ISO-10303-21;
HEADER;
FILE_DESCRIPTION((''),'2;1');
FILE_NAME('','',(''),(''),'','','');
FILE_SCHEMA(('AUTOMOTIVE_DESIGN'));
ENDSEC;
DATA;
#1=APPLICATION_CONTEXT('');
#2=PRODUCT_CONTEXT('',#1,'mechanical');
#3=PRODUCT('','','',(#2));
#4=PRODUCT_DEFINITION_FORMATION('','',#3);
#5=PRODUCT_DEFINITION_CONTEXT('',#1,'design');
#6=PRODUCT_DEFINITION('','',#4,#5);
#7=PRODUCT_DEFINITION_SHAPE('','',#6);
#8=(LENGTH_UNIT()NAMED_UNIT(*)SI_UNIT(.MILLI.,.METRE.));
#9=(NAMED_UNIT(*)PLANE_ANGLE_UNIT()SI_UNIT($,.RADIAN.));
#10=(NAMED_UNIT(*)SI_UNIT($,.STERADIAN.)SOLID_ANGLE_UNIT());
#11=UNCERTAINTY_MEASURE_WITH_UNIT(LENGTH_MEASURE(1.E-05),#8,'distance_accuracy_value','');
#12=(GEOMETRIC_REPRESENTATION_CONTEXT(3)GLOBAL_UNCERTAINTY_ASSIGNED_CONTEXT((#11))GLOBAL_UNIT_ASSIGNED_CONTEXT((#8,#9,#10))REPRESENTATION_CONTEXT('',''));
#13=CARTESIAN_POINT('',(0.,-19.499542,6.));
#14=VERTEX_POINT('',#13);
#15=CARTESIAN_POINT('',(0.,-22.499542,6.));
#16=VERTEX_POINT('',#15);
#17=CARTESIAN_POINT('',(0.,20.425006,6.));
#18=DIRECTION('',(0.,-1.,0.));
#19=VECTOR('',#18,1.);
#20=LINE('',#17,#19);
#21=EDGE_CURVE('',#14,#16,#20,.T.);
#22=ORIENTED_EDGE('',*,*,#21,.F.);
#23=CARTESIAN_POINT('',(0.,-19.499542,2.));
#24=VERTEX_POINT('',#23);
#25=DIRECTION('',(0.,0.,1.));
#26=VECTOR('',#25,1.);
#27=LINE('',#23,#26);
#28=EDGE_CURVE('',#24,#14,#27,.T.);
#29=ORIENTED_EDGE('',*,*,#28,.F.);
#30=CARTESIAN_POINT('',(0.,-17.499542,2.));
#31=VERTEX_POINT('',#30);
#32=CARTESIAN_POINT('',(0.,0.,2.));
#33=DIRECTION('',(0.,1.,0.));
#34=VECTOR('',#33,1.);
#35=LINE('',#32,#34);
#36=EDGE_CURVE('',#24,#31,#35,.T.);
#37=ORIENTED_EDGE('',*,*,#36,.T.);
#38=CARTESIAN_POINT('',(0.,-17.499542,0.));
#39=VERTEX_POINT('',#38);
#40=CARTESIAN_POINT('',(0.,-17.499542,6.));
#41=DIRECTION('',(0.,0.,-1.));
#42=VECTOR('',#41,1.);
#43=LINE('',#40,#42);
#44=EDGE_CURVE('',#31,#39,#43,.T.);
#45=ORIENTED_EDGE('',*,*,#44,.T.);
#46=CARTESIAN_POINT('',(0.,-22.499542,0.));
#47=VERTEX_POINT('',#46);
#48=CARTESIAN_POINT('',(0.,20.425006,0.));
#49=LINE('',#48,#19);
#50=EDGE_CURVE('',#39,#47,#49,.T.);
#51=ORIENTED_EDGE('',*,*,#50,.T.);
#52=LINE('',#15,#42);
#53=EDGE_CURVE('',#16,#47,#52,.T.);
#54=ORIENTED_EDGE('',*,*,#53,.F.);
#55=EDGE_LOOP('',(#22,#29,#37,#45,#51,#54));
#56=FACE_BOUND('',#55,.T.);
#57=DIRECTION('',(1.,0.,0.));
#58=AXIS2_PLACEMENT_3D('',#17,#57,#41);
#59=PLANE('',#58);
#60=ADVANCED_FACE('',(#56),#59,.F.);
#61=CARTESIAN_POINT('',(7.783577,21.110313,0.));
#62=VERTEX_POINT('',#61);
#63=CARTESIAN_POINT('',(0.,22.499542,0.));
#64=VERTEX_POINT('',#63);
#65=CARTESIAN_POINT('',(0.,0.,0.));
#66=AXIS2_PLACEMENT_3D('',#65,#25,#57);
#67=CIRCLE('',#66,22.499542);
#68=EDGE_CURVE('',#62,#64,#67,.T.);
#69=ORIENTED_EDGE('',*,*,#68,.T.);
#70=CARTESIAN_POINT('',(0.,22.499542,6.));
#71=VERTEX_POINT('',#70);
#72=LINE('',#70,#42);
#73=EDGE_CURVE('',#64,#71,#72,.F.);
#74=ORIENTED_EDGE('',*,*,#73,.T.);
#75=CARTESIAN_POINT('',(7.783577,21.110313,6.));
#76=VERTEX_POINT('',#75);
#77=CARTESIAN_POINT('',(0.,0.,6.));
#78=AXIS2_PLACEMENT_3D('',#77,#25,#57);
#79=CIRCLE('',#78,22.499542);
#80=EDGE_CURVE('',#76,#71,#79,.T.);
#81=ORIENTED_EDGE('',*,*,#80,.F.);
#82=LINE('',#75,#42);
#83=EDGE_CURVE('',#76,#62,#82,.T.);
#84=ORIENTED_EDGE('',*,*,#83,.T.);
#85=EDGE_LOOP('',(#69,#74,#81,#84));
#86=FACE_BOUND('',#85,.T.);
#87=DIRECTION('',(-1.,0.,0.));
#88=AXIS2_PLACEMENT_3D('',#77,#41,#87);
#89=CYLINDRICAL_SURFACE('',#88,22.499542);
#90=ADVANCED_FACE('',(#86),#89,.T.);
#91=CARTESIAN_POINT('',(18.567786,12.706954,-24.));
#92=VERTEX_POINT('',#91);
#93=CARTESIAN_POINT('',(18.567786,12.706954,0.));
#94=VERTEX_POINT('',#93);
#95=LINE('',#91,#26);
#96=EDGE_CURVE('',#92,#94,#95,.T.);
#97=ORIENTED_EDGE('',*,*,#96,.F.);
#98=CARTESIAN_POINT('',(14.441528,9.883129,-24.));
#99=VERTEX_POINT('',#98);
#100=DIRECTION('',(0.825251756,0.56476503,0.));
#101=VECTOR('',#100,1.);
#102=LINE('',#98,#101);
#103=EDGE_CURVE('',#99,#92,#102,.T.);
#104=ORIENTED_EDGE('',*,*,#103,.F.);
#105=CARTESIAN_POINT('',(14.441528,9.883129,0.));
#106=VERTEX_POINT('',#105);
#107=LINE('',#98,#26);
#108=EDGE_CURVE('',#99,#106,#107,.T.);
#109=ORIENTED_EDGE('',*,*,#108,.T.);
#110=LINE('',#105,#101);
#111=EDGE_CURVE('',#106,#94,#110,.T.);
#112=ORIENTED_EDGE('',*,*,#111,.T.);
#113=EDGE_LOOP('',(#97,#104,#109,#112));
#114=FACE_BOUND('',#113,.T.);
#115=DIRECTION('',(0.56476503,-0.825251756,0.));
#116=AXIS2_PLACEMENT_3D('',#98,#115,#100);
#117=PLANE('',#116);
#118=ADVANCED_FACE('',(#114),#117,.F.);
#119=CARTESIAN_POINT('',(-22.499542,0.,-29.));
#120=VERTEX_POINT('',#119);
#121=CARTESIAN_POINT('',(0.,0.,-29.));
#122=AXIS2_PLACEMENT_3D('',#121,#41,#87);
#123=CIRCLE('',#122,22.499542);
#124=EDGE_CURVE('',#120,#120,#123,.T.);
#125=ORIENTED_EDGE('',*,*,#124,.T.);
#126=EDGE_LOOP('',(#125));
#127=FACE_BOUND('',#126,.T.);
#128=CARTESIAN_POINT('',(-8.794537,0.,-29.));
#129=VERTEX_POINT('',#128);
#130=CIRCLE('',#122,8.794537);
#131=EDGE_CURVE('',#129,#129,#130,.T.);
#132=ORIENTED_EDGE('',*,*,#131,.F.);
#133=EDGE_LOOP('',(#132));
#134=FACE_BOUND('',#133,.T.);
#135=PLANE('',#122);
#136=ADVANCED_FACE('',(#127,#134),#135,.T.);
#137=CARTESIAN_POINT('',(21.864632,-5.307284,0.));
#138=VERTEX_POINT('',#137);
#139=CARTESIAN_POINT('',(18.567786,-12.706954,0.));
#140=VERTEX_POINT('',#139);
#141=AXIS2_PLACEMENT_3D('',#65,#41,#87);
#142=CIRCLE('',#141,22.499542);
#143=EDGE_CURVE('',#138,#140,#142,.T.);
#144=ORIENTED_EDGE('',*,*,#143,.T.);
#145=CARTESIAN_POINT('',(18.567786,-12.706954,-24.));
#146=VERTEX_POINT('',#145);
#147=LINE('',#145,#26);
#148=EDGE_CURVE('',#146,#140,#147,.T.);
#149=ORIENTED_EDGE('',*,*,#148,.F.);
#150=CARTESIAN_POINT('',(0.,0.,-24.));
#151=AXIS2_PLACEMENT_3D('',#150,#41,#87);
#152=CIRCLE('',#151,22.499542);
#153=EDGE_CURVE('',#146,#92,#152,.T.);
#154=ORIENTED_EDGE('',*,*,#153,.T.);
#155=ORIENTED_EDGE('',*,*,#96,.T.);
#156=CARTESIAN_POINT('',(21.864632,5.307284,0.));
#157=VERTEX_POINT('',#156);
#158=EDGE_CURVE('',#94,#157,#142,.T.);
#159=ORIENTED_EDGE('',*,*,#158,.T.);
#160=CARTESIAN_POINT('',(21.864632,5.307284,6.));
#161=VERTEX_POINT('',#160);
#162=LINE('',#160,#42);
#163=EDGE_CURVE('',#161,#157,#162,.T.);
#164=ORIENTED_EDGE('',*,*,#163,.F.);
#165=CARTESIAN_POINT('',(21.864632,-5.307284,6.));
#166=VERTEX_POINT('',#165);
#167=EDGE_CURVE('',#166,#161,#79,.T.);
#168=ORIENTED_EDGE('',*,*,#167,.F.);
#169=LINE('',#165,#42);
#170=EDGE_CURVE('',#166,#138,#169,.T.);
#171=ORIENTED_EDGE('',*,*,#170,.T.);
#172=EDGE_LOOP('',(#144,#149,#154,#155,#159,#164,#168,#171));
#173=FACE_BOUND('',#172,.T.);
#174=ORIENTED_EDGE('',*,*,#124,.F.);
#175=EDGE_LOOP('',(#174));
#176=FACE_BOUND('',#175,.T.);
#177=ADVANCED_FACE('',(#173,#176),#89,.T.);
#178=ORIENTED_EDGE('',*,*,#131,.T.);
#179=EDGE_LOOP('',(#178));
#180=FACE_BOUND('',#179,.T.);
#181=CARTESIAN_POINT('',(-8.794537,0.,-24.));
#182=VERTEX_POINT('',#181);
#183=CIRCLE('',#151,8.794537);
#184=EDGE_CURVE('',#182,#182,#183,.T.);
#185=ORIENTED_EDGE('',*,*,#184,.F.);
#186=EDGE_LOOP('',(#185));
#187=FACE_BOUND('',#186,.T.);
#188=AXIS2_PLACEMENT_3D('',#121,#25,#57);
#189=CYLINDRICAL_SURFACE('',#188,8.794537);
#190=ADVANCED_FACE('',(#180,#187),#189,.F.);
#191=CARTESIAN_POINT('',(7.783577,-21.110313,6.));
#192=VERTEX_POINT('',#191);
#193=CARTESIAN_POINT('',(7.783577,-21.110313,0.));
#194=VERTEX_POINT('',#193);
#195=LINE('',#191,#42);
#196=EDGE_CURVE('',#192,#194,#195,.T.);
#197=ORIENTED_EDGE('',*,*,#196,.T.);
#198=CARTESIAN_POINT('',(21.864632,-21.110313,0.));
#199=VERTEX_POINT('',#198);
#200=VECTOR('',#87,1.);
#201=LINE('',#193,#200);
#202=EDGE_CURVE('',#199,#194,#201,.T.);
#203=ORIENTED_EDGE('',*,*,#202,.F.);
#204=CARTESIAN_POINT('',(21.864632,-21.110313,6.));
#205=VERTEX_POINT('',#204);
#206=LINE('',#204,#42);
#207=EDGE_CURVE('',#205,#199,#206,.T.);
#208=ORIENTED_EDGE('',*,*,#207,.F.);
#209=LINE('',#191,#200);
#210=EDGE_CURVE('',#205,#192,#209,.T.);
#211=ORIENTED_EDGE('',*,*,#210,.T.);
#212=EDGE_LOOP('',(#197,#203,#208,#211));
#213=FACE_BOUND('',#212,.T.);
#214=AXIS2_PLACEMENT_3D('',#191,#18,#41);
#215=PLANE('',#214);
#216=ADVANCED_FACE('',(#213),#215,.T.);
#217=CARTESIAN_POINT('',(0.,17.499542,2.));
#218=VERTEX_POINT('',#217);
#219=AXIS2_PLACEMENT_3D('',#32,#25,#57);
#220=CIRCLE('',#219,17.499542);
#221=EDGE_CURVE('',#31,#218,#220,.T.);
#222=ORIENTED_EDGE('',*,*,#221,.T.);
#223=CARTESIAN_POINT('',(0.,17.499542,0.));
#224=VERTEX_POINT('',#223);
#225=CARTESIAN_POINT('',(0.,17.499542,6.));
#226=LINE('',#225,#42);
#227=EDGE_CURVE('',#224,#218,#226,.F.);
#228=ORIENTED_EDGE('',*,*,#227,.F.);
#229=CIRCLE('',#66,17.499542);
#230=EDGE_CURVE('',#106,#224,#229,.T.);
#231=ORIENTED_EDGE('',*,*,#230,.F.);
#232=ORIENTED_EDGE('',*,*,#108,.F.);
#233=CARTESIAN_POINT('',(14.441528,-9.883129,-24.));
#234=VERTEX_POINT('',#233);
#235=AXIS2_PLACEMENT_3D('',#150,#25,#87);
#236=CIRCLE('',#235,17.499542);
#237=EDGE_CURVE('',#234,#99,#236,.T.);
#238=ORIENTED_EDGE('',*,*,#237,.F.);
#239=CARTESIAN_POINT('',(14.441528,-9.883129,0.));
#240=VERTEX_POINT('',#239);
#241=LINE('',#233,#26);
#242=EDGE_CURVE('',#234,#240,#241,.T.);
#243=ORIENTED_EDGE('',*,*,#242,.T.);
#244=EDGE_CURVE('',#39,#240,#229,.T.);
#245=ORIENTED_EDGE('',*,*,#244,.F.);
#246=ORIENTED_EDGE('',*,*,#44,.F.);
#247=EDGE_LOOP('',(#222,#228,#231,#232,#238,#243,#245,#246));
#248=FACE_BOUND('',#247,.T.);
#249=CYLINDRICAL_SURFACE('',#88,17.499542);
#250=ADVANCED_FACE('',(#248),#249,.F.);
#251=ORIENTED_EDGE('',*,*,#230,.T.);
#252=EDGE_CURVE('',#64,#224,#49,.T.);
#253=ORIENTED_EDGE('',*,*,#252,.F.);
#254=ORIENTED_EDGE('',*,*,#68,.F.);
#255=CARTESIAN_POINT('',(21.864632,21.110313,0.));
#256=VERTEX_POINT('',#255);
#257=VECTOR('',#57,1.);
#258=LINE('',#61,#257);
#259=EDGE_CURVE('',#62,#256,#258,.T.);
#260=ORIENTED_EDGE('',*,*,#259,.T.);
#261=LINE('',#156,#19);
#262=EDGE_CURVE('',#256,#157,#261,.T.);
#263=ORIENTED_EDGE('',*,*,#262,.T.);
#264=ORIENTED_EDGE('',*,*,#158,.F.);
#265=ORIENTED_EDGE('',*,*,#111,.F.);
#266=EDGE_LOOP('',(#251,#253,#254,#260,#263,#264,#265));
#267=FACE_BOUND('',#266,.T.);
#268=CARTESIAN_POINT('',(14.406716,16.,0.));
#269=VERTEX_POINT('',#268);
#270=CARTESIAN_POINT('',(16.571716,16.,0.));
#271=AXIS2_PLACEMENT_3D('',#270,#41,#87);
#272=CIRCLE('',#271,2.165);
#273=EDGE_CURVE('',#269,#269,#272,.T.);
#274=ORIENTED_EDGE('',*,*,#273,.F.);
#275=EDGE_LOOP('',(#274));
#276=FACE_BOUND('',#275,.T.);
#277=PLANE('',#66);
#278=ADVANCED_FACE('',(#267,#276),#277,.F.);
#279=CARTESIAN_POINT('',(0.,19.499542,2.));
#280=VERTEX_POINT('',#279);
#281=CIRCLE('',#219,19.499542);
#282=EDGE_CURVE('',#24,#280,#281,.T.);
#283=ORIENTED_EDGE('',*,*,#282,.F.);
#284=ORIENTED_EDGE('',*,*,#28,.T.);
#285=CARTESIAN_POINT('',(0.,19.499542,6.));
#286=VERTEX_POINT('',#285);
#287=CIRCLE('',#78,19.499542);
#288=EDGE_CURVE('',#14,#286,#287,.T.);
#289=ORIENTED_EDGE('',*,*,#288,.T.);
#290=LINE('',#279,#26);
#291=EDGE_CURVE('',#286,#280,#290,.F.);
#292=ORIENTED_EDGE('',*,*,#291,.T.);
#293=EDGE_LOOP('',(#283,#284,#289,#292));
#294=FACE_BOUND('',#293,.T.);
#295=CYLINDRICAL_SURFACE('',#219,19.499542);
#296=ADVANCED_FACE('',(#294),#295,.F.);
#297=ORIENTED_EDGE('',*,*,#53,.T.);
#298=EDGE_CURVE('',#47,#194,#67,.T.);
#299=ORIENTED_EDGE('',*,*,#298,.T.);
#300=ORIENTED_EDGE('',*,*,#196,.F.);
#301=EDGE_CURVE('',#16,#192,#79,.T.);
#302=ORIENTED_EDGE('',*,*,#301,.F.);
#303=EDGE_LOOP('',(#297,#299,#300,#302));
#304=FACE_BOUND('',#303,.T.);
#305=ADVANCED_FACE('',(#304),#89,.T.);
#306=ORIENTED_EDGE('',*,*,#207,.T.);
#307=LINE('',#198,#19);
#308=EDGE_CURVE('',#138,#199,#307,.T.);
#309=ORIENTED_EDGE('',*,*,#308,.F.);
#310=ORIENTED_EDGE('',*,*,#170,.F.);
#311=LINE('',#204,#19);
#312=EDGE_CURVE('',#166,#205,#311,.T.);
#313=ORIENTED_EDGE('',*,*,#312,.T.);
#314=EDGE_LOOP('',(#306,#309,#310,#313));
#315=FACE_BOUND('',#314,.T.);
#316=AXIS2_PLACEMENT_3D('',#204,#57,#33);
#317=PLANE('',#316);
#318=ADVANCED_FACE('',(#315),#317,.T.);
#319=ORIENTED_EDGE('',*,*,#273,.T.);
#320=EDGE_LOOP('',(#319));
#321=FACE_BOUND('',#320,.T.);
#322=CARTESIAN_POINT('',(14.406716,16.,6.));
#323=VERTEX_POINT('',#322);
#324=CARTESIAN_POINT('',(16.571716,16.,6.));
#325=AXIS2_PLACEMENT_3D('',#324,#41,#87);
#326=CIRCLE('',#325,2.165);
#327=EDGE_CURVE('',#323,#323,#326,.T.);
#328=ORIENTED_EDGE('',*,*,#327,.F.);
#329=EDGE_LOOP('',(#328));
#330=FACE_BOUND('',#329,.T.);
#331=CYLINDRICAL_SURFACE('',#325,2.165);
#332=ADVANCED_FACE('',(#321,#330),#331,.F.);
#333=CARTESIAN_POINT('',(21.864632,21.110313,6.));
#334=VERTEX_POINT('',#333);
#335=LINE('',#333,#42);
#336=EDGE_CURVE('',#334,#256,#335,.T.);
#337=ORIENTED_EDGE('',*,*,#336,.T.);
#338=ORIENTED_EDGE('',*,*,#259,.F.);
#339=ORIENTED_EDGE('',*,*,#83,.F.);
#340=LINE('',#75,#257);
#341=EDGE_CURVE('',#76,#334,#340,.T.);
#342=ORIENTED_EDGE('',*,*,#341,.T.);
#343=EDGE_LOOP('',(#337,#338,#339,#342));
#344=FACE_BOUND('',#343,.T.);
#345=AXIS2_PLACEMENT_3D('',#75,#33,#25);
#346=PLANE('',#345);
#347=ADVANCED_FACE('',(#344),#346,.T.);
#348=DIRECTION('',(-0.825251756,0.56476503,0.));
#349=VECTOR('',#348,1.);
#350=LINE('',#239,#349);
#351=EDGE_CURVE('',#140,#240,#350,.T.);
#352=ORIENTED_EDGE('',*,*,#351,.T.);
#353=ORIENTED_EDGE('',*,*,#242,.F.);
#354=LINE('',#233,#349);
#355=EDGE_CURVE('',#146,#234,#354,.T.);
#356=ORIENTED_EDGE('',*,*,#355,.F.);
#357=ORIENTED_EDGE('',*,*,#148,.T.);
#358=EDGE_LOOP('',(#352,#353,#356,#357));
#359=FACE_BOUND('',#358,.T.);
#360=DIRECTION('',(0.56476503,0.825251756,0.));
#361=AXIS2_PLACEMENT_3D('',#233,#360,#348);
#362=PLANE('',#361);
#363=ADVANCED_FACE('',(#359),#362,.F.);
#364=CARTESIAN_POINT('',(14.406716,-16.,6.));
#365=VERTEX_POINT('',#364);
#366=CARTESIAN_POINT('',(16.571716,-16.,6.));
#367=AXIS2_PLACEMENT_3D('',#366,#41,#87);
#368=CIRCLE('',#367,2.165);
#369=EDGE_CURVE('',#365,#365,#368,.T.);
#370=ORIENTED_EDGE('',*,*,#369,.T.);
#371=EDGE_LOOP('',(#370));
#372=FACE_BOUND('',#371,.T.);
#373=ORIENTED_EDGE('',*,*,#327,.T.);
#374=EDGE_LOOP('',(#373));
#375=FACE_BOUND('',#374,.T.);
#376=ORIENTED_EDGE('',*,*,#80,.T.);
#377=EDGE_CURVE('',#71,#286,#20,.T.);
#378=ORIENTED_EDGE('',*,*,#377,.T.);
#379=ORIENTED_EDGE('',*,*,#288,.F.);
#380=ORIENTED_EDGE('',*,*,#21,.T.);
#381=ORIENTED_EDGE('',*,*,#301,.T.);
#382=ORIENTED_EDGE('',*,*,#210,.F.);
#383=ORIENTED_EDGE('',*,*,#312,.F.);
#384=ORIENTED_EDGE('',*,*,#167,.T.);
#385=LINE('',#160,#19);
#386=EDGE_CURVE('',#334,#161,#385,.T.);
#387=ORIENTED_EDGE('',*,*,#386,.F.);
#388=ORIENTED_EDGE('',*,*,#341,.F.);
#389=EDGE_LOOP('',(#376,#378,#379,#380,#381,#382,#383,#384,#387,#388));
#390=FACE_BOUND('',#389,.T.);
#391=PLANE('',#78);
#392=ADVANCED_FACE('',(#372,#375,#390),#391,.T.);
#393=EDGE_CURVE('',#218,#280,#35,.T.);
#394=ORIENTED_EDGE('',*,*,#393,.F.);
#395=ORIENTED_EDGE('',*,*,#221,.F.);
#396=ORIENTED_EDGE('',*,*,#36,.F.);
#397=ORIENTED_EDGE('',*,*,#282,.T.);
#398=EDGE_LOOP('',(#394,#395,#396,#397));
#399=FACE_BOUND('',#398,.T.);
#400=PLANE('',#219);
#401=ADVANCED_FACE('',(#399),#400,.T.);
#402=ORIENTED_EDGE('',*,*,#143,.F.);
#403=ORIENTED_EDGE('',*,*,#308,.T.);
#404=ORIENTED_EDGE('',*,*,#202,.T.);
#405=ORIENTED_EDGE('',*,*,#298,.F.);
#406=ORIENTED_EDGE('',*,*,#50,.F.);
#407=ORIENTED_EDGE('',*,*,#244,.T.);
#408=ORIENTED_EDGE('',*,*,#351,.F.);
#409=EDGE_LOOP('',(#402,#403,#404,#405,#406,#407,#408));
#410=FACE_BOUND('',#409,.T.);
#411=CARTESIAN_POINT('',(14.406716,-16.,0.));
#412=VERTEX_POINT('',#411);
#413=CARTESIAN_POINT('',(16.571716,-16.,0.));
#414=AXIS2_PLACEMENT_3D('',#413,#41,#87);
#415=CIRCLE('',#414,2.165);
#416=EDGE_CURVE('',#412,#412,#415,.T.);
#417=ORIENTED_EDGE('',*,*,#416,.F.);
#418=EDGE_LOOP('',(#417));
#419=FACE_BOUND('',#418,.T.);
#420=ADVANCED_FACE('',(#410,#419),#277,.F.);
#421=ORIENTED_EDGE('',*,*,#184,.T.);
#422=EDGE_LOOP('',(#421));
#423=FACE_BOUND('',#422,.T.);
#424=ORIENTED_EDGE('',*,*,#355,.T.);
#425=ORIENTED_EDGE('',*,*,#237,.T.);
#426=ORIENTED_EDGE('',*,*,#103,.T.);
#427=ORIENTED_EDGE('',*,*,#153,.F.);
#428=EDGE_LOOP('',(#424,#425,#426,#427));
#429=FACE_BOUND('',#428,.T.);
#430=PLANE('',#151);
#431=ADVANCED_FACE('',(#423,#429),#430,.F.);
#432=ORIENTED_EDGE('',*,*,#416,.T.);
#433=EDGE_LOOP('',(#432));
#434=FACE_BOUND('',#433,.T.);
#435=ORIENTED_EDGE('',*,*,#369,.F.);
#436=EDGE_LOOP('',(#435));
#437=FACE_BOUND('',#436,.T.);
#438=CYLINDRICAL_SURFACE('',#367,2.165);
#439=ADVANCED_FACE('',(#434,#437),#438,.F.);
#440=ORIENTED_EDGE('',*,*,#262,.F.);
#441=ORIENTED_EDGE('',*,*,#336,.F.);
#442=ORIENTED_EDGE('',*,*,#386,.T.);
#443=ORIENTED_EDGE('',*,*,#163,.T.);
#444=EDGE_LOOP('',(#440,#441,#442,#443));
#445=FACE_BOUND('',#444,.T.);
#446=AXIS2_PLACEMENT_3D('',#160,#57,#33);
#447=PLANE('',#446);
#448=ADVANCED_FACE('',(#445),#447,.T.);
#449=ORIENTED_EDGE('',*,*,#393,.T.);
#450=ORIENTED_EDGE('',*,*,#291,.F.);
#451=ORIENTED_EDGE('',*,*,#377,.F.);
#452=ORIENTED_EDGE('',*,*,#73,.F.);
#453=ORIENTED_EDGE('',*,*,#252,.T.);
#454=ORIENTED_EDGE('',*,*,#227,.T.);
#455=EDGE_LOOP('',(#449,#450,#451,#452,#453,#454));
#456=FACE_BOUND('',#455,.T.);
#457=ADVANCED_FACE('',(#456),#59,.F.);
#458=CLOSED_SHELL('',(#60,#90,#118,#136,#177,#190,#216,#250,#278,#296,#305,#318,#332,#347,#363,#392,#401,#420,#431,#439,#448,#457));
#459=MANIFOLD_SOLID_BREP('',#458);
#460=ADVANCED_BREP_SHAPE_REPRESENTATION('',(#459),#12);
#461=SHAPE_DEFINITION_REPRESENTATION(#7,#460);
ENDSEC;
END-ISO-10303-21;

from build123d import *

# Parameters (mm, degrees)
SKETCH1_R           = 22.4995417
SKETCH1_R_2         = 17.4995417
BOSS_EXTRUDE1_DEPTH = 6
CUT_EXTRUDE1_START  = -4
SKETCH2_R           = 19.4995417
SKETCH2_R_2         = 17.4995417
CUT_EXTRUDE1_DEPTH  = 4
BOSS_EXTRUDE2_DEPTH = 6
BOSS_EXTRUDE3_START = 24
BOSS_EXTRUDE3_DEPTH = 24
BOSS_EXTRUDE4_START = 5
SKETCH6_R           = 22.4995417
SKETCH6_R_2         = 8.79453705
BOSS_EXTRUDE4_DEPTH = 5
CUT_EXTRUDE2_DEPTH  = 44.051814752
SKETCH9_R           = 2.165
CUT_EXTRUDE4_DEPTH  = 44.051814752


with BuildPart() as part:
    # Sketch1 → Boss-Extrude1 (new body)
    with BuildSketch(Plane.XY):
        Circle(SKETCH1_R)
        Circle(SKETCH1_R_2, mode=Mode.SUBTRACT)
    extrude(amount=BOSS_EXTRUDE1_DEPTH)

    # Sketch2 → Cut-Extrude1 (cut)
    with BuildSketch(Plane.XY.offset(6).offset(CUT_EXTRUDE1_START)):
        Circle(SKETCH2_R)
        Circle(SKETCH2_R_2, mode=Mode.SUBTRACT)
    extrude(amount=CUT_EXTRUDE1_DEPTH, mode=Mode.SUBTRACT)

    # Sketch3 → Boss-Extrude2 (add, through all)
    with BuildSketch(Plane(origin=(0, 0, 0), x_dir=(-1, 0, 0), z_dir=(0, 0, -1))):
        with BuildLine():
            Line((-7.783576547, 21.11031295), (-21.864631522, 21.11031295))
            Line((-21.864631522, 21.11031295), (-21.864631522, 5.307284156))
            ThreePointArc((-21.864631522, 5.307284156), (-16.798452018, 14.96801211), (-7.783576547, 21.11031295))
        make_face()
        with BuildLine():
            Line((21.864631522, -21.11031295), (7.783576547, -21.11031295))
            ThreePointArc((7.783576547, -21.11031295), (16.798452018, -14.96801211), (21.864631522, -5.307284156))
            Line((21.864631522, -5.307284156), (21.864631522, -21.11031295))
        make_face()
        with BuildLine():
            Line((21.864631522, 21.11031295), (7.783576547, 21.11031295))
            ThreePointArc((7.783576547, 21.11031295), (16.798452018, 14.96801211), (21.864631522, 5.307284156))
            Line((21.864631522, 5.307284156), (21.864631522, 21.11031295))
        make_face()
        with BuildLine():
            Line((-21.864631522, -21.11031295), (-21.864631522, -5.307284156))
            ThreePointArc((-21.864631522, -5.307284156), (-16.798452018, -14.96801211), (-7.783576547, -21.11031295))
            Line((-7.783576547, -21.11031295), (-21.864631522, -21.11031295))
        make_face()
    extrude(amount=-BOSS_EXTRUDE2_DEPTH)

    # Sketch5 → Boss-Extrude3 (add)
    with BuildSketch(Plane(origin=(0, 0, 0), x_dir=(-1, 0, 0), z_dir=(0, 0, -1)).offset(BOSS_EXTRUDE3_START)):
        with BuildLine():
            Line((-14.441527519, 9.883129191), (-18.5677863, 12.706954341))
            ThreePointArc((-18.5677863, 12.706954341), (-22.4995417, 0), (-18.5677863, -12.706954341))
            Line((-18.5677863, -12.706954341), (-14.441527519, -9.883129191))
            ThreePointArc((-14.441527519, -9.883129191), (-17.4995417, 0), (-14.441527519, 9.883129191))
        make_face()
    extrude(amount=-BOSS_EXTRUDE3_DEPTH)

    # Sketch6 → Boss-Extrude4 (add)
    with BuildSketch(Plane(origin=(0, 0, -24), x_dir=(-1, 0, 0), z_dir=(0, 0, -1)).offset(BOSS_EXTRUDE4_START)):
        Circle(SKETCH6_R)
        Circle(SKETCH6_R_2, mode=Mode.SUBTRACT)
    extrude(amount=-BOSS_EXTRUDE4_DEPTH)

    # Sketch7 → Cut-Extrude2 (cut, through all)
    with BuildSketch(Plane(origin=(0, 0, 0), x_dir=(-1, 0, 0), z_dir=(0, 0, -1))):
        Polygon((0, 20.425006128), (0, -31.813494394), (36.314088068, -29.010206824), (38.071070197, 28.399979516), (-0.660202218, 29.585311907), (0, 25.789149152), align=None)
    extrude(amount=-CUT_EXTRUDE2_DEPTH, mode=Mode.SUBTRACT)

    # Sketch9 → Cut-Extrude4 (cut, through all)
    with BuildSketch(Plane(origin=(0, 0, 0), x_dir=(-1, 0, 0), z_dir=(0, 0, -1))):
        with Locations((16.571715691, 16)):
            Circle(SKETCH9_R)
        with Locations((16.571715691, -16)):
            Circle(SKETCH9_R)
        with Locations((-16.571715691, -16)):
            Circle(SKETCH9_R)
        with Locations((-16.571715691, 16)):
            Circle(SKETCH9_R)
    extrude(amount=-CUT_EXTRUDE4_DEPTH, mode=Mode.SUBTRACT)


solid = part.part
